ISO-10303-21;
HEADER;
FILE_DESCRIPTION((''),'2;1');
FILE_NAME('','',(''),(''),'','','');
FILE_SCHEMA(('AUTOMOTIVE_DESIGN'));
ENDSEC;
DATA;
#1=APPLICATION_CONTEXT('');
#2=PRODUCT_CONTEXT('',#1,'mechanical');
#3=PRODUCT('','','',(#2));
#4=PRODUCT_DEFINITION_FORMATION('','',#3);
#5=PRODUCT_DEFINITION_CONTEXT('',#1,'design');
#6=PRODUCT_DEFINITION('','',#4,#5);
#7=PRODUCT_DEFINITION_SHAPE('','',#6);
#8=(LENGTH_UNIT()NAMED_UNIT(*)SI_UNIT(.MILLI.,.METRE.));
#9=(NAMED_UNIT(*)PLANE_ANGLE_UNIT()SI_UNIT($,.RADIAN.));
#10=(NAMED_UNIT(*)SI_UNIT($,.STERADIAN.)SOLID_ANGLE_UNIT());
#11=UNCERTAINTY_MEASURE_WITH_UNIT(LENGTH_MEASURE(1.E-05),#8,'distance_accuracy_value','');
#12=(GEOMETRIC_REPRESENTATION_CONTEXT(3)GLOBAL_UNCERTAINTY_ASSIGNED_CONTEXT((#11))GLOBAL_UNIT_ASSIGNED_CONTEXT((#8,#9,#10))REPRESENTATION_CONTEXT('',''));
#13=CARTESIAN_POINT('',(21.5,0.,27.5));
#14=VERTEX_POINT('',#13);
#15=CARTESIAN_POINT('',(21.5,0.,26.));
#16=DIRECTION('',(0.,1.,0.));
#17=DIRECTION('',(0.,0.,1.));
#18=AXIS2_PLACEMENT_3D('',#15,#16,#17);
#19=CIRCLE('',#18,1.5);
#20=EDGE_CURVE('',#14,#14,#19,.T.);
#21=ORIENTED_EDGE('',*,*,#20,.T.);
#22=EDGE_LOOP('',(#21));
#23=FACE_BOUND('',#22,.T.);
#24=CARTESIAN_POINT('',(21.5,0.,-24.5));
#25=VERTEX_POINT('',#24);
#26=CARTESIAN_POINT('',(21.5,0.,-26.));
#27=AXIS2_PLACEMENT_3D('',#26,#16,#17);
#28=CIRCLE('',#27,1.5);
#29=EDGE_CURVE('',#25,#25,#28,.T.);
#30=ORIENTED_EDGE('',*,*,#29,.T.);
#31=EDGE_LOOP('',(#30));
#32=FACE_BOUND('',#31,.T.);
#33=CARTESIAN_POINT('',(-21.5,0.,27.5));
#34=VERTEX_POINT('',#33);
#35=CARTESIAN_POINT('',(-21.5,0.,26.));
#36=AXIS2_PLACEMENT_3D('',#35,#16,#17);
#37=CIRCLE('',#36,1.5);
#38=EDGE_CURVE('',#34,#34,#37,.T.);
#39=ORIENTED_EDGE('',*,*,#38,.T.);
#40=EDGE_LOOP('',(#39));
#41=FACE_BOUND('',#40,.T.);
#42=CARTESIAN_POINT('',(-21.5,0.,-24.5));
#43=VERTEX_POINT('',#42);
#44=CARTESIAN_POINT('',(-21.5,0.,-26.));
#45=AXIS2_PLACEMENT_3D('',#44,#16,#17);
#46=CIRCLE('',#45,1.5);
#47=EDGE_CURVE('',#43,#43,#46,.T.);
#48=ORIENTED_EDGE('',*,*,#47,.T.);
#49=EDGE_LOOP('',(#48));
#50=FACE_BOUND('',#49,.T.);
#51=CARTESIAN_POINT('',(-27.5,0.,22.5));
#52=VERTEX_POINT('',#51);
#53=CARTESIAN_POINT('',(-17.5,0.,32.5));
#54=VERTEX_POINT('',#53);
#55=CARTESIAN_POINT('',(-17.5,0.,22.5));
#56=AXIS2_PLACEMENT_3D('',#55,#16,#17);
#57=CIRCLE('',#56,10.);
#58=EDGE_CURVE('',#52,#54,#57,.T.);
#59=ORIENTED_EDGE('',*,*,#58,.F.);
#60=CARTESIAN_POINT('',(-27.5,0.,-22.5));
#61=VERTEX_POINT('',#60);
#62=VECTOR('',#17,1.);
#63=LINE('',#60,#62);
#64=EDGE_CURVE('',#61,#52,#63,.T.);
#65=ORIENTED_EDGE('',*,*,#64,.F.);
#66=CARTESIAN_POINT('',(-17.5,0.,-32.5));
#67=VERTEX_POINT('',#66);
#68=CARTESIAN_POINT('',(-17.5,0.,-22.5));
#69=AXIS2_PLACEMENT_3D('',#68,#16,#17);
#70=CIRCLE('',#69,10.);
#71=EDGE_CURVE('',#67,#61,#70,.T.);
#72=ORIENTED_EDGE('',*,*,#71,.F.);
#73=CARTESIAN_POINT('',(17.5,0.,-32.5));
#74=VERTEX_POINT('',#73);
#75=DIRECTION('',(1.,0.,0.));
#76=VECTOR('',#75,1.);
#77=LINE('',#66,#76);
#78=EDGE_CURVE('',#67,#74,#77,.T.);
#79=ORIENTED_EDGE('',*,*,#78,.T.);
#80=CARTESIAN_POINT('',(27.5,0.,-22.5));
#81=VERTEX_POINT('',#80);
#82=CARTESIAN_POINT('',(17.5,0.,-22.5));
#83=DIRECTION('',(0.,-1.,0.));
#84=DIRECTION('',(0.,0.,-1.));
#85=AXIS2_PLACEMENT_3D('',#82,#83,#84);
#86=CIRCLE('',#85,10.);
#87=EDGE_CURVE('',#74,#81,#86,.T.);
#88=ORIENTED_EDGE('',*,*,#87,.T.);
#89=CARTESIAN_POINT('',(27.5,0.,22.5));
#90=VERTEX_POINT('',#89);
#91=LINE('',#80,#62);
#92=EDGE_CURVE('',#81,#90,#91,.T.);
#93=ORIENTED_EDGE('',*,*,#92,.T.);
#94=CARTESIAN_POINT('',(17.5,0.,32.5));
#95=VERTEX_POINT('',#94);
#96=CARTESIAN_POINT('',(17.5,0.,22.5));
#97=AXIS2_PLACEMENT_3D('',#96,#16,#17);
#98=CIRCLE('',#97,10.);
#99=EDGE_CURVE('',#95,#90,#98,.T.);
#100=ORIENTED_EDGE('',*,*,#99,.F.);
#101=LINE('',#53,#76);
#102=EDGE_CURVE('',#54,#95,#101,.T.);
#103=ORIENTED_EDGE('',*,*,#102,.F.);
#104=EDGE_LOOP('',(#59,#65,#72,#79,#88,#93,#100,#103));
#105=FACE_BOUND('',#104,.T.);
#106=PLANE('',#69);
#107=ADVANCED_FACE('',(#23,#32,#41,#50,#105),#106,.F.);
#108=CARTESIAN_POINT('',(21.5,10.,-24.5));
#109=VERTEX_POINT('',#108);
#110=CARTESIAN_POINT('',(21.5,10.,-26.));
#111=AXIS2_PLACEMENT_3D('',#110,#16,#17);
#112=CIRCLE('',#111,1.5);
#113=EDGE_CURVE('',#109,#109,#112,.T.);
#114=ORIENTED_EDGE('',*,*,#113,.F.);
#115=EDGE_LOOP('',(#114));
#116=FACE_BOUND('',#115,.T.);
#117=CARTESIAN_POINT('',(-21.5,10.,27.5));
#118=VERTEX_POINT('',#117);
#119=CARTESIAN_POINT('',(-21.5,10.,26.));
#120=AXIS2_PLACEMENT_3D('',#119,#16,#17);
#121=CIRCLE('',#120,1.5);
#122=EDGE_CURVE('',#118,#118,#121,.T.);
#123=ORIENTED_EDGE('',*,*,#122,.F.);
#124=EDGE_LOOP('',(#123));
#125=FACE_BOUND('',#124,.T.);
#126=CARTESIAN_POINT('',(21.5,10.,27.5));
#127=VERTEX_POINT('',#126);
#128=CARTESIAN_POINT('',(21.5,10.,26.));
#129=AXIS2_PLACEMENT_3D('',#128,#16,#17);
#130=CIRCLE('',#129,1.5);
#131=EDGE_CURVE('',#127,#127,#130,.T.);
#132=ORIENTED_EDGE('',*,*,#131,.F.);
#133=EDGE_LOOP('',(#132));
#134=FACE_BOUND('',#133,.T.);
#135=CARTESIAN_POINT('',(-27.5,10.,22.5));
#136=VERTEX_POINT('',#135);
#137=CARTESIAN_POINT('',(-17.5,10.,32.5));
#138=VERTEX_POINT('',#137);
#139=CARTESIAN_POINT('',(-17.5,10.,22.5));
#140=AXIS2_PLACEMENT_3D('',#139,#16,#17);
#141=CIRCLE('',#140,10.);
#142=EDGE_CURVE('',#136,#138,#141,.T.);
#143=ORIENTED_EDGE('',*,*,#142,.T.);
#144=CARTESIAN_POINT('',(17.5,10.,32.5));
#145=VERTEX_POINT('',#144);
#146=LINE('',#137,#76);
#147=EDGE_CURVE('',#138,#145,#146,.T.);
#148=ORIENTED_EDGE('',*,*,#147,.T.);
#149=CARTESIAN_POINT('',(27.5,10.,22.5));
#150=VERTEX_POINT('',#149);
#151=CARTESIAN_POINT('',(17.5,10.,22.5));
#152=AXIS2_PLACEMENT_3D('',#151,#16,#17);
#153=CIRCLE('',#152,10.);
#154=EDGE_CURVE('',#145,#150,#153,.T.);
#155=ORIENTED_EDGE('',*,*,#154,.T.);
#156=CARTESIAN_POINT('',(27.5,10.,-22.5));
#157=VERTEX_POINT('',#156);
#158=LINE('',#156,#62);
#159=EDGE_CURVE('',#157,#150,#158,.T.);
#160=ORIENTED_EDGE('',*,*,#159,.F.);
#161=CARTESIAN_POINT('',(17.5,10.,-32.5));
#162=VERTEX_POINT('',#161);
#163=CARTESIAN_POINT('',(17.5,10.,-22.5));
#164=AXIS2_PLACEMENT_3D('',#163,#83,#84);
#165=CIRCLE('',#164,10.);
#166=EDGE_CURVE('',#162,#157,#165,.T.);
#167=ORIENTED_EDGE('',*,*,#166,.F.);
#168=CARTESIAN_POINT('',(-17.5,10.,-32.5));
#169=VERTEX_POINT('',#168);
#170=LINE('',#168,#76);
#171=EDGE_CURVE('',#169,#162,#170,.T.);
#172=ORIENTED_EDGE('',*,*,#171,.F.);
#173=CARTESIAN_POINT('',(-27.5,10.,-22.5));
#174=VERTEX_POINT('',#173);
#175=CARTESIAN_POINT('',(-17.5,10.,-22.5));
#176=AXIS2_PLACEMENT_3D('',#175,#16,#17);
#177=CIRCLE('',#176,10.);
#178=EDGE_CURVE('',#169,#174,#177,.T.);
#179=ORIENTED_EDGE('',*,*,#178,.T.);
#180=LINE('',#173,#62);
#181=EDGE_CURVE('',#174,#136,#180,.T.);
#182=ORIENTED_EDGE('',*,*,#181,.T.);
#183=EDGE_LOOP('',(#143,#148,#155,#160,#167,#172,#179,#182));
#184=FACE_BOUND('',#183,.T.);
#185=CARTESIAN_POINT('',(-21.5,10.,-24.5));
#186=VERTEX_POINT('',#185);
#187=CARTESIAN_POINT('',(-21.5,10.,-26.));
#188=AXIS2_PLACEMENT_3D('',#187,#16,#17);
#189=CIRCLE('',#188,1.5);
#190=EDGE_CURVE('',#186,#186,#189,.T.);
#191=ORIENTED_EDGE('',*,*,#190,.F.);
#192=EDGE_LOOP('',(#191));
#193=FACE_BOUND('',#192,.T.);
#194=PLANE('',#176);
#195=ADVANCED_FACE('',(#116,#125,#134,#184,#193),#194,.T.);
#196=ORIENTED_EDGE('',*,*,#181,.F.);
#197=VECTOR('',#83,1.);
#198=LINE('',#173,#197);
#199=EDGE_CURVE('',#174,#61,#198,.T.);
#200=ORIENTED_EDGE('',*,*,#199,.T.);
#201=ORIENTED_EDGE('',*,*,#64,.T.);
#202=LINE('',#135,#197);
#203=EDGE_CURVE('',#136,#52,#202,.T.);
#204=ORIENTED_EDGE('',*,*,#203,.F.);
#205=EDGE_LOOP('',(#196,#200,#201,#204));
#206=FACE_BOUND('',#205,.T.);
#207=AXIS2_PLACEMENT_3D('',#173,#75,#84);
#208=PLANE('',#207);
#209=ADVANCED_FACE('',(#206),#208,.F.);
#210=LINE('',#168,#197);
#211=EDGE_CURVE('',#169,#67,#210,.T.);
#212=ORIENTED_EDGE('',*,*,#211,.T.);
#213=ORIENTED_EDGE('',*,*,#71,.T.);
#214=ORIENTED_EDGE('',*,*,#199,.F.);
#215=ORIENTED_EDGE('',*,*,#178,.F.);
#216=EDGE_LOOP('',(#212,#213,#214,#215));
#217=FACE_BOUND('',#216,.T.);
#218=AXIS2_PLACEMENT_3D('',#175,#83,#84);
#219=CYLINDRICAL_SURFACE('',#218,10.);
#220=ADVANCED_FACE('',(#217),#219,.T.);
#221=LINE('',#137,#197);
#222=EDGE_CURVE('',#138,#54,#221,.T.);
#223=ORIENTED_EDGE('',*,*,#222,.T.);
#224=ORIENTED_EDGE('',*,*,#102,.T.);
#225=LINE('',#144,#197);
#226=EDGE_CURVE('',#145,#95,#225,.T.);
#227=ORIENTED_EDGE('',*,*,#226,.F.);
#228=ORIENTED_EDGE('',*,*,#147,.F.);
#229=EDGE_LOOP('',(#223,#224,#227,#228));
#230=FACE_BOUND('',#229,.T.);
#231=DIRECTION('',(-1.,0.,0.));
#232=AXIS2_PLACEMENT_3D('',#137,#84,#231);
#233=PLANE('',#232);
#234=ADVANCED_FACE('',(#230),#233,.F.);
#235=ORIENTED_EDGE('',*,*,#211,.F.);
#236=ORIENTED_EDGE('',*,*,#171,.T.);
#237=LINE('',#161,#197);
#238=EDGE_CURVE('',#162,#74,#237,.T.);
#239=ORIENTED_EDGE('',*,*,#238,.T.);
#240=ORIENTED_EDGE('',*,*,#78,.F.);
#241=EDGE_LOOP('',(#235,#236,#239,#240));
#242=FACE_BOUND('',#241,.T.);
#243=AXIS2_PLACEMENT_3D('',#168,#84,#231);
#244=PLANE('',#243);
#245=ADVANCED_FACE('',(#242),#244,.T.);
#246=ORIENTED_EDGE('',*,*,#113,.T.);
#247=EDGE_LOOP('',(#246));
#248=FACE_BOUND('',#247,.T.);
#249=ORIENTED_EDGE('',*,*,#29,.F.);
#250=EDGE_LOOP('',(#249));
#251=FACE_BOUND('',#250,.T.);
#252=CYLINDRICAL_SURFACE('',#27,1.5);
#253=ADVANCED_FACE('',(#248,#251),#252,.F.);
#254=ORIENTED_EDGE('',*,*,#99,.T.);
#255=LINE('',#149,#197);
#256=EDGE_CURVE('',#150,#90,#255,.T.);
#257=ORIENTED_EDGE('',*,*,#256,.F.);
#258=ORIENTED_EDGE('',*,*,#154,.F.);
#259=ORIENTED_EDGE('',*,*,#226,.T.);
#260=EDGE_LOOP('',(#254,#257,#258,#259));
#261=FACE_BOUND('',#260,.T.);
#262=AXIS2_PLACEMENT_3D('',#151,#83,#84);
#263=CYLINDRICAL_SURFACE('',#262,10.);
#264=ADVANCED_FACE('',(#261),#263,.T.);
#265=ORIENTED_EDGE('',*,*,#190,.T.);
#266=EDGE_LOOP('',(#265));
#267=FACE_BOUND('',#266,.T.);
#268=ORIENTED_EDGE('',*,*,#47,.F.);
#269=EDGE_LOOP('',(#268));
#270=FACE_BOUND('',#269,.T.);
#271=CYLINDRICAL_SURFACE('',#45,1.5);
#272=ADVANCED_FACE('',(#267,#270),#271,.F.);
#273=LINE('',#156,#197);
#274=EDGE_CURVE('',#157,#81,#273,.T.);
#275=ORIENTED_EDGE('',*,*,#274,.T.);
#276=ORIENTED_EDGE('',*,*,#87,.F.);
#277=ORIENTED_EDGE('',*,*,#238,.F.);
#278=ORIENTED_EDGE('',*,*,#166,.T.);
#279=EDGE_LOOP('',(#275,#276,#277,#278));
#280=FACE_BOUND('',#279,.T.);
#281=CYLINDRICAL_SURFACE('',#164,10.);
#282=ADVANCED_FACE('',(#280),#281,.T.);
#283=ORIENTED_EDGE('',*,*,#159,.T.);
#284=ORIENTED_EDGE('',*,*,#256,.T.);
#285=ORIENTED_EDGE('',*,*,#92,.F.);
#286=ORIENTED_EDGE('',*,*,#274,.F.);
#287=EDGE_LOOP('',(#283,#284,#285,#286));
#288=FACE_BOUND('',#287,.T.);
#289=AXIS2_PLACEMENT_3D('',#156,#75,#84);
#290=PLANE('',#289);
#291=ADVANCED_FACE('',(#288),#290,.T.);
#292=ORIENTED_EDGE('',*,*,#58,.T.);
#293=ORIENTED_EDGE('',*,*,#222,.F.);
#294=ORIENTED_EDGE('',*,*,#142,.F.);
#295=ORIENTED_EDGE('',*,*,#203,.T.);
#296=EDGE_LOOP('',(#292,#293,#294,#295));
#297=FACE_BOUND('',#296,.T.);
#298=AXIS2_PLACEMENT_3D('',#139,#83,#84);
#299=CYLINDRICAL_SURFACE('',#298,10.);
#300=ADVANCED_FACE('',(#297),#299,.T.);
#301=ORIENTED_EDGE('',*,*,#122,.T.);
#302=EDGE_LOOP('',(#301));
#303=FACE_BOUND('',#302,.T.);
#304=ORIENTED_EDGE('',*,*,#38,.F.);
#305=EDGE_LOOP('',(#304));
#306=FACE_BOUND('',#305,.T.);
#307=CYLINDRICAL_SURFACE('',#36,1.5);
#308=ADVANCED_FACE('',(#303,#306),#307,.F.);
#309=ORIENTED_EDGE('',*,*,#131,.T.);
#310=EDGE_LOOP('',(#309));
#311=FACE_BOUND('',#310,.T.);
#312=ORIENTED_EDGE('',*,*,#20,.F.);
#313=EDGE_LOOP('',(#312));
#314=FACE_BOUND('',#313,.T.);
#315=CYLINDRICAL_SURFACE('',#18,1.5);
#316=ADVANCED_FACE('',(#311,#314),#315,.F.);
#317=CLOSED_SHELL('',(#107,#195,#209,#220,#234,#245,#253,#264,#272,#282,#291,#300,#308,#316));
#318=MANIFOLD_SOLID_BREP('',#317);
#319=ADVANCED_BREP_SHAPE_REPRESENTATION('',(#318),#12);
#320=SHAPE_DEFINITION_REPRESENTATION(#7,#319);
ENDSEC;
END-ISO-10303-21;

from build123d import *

# Parameters (mm, degrees)
BOSS_EXTRUDE1_DEPTH = 10
SKETCH3_R           = 1.5
CUT_EXTRUDE3_DEPTH  = 44.732139211


with BuildPart() as part:
    # Sketch1 → Boss-Extrude1 (new body)
    with BuildSketch(Plane(origin=(0, 0, 0), x_dir=(1, 0, 0), z_dir=(0, 1, 0))):
        with BuildLine():
            Line((-17.5, 32.5), (17.5, 32.5))
            ThreePointArc((17.5, 32.5), (24.571067812, 29.571067812), (27.5, 22.5))
            Line((27.5, 22.5), (27.5, -22.5))
            ThreePointArc((27.5, -22.5), (24.571067812, -29.571067812), (17.5, -32.5))
            Line((17.5, -32.5), (-17.5, -32.5))
            ThreePointArc((-17.5, -32.5), (-24.571067812, -29.571067812), (-27.5, -22.5))
            Line((-27.5, -22.5), (-27.5, 22.5))
            ThreePointArc((-27.5, 22.5), (-24.571067812, 29.571067812), (-17.5, 32.5))
        make_face()
    extrude(amount=BOSS_EXTRUDE1_DEPTH)

    # Sketch3 → Cut-Extrude3 (cut, through all)
    with BuildSketch(Plane(origin=(0, 10, 0), x_dir=(1, 0, 0), z_dir=(0, 1, 0))):
        with Locations(Location((-21.5, 26, 0), (0, 0, 270))):
            Circle(SKETCH3_R)
        with Locations(Location((21.5, 26, 0), (0, 0, 270))):
            Circle(SKETCH3_R)
        with Locations(Location((21.5, -26, 0), (0, 0, 270))):
            Circle(SKETCH3_R)
        with Locations(Location((-21.5, -26, 0), (0, 0, 270))):
            Circle(SKETCH3_R)
    extrude(amount=-CUT_EXTRUDE3_DEPTH, mode=Mode.SUBTRACT)


solid = part.part
